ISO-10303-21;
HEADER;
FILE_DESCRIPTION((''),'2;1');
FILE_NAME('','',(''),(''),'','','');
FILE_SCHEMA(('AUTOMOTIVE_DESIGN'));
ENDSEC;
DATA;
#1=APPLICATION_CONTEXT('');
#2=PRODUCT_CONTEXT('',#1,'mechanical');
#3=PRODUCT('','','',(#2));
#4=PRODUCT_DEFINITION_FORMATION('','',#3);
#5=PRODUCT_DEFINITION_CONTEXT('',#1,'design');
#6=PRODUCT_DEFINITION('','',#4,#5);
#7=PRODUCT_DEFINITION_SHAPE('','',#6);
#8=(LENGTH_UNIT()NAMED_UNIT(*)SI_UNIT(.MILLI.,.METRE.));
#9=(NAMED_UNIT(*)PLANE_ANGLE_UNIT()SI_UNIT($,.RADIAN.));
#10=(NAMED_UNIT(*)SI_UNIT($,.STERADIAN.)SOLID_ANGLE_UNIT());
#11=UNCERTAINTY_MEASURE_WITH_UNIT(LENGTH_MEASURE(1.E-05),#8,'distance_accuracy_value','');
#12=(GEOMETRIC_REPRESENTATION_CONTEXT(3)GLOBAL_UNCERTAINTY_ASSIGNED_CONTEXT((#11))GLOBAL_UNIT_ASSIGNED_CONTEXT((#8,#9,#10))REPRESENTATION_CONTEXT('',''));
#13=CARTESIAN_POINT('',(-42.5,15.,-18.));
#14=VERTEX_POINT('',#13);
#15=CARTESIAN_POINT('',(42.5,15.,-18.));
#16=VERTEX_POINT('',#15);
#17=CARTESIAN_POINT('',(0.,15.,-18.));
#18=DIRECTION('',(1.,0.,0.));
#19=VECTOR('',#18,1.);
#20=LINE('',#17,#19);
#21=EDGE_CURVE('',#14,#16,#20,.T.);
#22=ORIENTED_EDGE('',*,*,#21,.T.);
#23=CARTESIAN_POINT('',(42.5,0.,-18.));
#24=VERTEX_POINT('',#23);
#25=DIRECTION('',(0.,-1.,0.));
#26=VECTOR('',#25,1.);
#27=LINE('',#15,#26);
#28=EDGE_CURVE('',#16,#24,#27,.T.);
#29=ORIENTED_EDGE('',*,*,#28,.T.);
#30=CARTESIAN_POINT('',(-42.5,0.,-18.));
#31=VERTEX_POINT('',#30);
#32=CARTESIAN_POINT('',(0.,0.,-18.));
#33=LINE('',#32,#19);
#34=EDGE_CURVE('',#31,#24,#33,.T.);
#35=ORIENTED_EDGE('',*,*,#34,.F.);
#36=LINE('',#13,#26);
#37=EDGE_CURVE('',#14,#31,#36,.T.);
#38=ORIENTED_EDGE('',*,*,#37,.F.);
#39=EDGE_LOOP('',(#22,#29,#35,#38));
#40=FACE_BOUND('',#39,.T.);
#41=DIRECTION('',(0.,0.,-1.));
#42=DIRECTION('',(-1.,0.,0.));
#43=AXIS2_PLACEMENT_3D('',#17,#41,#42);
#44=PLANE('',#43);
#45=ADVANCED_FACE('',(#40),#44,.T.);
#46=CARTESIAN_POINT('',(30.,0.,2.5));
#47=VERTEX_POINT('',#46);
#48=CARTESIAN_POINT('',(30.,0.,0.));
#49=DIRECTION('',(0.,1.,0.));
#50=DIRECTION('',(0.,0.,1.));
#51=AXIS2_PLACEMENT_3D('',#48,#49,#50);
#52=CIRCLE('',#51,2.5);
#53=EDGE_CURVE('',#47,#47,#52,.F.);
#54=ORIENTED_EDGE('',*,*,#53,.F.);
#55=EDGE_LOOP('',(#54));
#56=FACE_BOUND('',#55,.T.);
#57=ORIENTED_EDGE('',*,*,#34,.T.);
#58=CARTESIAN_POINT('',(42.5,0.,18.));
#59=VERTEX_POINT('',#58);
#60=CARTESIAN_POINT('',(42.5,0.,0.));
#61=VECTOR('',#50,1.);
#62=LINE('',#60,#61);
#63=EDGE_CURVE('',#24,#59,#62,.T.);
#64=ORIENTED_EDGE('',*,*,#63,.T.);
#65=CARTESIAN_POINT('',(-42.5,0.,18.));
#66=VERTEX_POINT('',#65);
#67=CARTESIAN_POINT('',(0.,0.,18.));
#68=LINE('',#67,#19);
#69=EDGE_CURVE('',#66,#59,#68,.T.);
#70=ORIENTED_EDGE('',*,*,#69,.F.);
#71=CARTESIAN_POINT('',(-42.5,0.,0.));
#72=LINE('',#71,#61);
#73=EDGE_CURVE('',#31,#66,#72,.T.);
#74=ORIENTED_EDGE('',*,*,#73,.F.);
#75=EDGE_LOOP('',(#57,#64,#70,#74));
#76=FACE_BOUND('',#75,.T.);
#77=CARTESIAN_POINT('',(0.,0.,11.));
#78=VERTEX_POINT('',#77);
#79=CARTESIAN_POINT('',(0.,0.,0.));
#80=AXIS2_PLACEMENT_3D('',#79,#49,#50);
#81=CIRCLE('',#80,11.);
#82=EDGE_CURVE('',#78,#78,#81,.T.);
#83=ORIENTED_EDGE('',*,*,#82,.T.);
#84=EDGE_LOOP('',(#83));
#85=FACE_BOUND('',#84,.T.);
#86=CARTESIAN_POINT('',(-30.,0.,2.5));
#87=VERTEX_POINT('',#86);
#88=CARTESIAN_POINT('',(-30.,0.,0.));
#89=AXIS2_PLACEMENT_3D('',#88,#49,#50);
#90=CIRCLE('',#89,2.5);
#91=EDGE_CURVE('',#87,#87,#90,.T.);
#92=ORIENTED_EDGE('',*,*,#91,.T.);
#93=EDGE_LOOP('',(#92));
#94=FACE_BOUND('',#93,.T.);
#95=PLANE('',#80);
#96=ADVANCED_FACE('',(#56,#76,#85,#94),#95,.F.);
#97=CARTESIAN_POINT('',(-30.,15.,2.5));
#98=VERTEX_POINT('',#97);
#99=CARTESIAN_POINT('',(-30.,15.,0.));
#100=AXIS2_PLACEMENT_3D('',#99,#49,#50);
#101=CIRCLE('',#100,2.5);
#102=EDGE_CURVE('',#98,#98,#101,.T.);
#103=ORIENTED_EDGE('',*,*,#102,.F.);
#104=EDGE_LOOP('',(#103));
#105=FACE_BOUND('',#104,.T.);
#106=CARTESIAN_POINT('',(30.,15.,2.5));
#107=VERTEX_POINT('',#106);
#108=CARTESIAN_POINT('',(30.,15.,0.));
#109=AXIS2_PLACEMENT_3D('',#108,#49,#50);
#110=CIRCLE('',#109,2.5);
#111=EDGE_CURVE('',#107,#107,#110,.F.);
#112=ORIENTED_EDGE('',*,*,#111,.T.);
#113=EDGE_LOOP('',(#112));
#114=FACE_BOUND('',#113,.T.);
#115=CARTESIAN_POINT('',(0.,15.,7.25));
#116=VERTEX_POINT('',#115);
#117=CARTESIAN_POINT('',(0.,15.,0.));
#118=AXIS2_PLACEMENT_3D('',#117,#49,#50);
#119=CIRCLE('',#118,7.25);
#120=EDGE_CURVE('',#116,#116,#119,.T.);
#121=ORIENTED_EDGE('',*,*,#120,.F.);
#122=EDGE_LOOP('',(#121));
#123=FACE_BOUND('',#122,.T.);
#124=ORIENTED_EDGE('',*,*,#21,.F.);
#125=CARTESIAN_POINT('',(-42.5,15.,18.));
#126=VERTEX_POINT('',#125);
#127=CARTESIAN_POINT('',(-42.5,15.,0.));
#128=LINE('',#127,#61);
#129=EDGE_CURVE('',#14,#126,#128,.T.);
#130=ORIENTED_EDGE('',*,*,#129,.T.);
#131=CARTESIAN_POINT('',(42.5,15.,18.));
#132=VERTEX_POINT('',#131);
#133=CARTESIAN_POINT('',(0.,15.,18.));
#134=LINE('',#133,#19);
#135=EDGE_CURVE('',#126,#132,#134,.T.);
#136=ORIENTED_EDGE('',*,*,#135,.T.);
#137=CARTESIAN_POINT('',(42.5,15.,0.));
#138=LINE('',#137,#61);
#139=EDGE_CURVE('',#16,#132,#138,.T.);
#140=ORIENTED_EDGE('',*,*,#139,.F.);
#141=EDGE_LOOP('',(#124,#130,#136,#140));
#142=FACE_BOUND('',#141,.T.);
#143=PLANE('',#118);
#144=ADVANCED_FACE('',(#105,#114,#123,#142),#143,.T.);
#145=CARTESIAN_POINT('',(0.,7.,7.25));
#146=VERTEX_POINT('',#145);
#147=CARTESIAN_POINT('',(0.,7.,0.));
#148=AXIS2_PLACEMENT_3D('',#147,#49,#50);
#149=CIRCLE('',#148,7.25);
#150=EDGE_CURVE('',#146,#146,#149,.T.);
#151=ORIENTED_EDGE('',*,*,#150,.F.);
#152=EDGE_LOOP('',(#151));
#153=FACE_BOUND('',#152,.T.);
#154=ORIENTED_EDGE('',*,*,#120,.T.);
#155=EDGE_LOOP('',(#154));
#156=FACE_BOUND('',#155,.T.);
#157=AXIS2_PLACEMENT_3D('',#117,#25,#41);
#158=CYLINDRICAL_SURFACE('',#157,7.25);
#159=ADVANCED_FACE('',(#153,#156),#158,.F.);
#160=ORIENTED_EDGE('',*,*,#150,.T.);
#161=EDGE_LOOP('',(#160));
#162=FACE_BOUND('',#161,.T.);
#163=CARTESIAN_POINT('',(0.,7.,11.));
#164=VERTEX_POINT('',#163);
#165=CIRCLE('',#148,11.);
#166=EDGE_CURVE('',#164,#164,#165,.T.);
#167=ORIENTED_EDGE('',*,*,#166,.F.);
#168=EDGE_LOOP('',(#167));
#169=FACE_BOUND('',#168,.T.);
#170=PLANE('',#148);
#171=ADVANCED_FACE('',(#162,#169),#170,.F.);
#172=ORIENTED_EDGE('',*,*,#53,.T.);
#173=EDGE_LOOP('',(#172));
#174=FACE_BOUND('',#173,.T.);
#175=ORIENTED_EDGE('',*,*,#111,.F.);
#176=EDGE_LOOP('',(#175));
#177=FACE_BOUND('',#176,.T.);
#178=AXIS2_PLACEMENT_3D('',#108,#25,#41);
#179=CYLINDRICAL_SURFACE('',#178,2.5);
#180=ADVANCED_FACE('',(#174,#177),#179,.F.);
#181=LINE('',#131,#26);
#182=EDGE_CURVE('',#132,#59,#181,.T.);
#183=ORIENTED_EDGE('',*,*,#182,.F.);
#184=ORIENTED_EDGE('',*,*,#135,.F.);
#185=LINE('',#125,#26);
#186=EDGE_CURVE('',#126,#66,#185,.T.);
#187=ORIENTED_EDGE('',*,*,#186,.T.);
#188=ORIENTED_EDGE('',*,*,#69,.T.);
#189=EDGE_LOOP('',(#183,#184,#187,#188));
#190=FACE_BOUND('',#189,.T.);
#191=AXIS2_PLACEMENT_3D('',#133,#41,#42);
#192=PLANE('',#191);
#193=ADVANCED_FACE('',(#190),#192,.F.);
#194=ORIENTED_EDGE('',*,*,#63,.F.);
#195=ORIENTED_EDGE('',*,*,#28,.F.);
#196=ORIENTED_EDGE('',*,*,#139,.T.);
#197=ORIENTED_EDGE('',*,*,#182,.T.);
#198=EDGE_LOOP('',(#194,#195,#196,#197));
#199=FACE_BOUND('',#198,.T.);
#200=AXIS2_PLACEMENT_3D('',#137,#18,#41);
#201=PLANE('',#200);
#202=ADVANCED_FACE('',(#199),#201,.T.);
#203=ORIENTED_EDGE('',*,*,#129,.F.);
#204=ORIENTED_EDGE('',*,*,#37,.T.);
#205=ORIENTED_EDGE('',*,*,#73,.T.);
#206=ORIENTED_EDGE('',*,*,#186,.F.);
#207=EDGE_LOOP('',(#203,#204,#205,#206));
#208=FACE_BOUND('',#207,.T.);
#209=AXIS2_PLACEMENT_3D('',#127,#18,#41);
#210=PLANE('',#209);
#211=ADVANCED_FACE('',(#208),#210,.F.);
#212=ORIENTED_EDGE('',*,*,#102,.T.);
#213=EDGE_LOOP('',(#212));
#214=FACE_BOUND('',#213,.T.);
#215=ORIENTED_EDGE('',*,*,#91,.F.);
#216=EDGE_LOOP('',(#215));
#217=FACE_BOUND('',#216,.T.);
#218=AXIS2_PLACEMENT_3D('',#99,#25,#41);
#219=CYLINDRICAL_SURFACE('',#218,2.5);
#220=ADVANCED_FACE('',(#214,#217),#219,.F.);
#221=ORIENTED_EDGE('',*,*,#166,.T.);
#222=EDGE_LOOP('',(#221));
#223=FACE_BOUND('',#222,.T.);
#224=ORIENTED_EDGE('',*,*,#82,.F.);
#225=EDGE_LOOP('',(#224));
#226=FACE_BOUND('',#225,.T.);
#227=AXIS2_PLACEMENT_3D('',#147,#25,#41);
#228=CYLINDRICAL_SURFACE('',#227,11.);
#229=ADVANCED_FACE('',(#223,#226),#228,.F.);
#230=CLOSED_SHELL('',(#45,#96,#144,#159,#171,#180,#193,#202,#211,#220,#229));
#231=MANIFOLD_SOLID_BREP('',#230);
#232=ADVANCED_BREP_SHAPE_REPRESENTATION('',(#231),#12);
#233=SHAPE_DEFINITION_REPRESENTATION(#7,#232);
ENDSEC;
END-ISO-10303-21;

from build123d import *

# Parameters (mm, degrees)
SKETCH1_W           = 85
SKETCH1_H           = 36
SKETCH1_R           = 7.25
SKETCH1_R_2         = 2.5
BOSS_EXTRUDE1_DEPTH = 15
SKETCH2_R           = 11
CUT_EXTRUDE1_DEPTH  = 7


with BuildPart() as part:
    # Sketch1 → Boss-Extrude1 (new body)
    with BuildSketch(Plane(origin=(0, 0, 0), x_dir=(1, 0, 0), z_dir=(0, 1, 0))):
        Rectangle(SKETCH1_W, SKETCH1_H)
        with Locations(Location((0, 0, 0), (0, 0, 270))):
            Circle(SKETCH1_R, mode=Mode.SUBTRACT)
        with Locations(Location((-30, 0, 0), (0, 0, 270))):
            Circle(SKETCH1_R_2, mode=Mode.SUBTRACT)
        with Locations(Location((30, 0, 0), (0, 0, 270))):
            Circle(SKETCH1_R_2, mode=Mode.SUBTRACT)
    extrude(amount=BOSS_EXTRUDE1_DEPTH)

    # Sketch2 → Cut-Extrude1 (cut)
    with BuildSketch(Plane(origin=(0, 0, 0), x_dir=(1, 0, 0), z_dir=(0, 1, 0))):
        with Locations(Location((0, 0, 0), (0, 0, 270))):
            Circle(SKETCH2_R)
    extrude(amount=CUT_EXTRUDE1_DEPTH, mode=Mode.SUBTRACT)


solid = part.part
